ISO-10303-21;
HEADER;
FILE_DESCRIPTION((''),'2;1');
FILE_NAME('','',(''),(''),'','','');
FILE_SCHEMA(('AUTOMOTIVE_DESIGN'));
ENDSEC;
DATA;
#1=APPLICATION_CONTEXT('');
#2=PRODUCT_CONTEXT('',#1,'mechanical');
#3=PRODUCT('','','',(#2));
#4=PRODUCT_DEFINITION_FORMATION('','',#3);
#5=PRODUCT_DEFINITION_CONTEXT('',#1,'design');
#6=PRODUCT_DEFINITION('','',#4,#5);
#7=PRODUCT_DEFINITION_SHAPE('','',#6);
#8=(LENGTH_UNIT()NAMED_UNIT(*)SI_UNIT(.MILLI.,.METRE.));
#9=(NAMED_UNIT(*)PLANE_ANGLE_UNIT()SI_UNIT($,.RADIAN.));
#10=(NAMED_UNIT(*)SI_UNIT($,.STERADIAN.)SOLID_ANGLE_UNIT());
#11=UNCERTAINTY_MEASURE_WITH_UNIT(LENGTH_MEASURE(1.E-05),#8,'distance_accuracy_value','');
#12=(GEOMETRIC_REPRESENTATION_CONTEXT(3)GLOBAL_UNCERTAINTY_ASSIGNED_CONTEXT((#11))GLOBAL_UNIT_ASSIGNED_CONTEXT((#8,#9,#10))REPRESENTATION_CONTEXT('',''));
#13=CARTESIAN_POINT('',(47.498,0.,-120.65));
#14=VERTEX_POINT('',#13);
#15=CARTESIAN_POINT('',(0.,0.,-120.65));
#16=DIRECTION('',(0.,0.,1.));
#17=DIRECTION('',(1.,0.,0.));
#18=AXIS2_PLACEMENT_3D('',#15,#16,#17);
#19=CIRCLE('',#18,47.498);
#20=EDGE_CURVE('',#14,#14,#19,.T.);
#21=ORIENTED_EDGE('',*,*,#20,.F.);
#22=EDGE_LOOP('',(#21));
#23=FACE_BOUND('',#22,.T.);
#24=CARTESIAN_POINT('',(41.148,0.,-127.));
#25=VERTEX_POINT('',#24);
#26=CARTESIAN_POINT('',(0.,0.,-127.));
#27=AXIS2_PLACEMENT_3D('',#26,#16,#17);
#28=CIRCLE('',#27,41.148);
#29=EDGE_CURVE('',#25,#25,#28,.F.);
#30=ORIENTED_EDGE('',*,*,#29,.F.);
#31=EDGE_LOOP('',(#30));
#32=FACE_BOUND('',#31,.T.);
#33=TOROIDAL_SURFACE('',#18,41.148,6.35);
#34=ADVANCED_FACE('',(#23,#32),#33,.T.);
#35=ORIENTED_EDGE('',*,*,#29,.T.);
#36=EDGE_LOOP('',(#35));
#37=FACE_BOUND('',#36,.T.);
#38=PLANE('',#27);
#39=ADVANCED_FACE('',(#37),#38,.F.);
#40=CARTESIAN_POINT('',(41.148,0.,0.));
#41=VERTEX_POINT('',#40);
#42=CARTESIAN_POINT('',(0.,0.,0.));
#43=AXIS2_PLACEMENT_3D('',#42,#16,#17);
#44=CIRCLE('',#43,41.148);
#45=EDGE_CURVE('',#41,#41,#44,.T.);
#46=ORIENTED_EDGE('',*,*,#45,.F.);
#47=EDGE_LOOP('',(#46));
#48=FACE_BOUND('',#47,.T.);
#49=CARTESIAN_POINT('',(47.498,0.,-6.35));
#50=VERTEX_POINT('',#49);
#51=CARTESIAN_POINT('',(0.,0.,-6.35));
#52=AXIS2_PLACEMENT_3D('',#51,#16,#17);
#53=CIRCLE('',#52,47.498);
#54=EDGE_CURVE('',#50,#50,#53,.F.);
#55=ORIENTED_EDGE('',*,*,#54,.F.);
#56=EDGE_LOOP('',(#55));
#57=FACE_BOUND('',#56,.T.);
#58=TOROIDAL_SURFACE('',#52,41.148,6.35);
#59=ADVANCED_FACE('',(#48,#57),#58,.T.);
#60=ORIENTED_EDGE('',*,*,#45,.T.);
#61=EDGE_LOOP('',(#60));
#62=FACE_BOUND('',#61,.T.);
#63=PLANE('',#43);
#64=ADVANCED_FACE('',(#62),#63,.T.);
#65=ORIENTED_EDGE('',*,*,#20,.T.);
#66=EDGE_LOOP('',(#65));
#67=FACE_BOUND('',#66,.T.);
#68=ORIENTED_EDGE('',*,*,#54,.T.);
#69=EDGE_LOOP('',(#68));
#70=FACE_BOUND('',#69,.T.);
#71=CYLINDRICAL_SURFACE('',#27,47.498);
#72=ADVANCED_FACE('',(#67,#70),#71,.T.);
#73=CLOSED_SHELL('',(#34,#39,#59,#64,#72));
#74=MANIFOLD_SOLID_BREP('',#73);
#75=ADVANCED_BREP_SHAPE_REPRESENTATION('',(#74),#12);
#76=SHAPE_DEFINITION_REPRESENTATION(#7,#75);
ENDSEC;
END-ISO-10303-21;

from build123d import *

# Parameters (mm, degrees)
SKETCH1_R           = 47.498
BOSS_EXTRUDE1_DEPTH = 127
FILLET1_R           = 6.35


with BuildPart() as part:
    # Sketch1 → Boss-Extrude1 (new body)
    with BuildSketch(Plane.XY):
        Circle(SKETCH1_R)
    extrude(amount=-BOSS_EXTRUDE1_DEPTH)

    # Fillet1
    fillet1_edges = [part.edges().sort_by_distance(p)[0] for p in [
        (-47.498, 0, 0),
        (-47.498, 0, -127),
    ]]
    fillet(fillet1_edges, radius=FILLET1_R)


solid = part.part
